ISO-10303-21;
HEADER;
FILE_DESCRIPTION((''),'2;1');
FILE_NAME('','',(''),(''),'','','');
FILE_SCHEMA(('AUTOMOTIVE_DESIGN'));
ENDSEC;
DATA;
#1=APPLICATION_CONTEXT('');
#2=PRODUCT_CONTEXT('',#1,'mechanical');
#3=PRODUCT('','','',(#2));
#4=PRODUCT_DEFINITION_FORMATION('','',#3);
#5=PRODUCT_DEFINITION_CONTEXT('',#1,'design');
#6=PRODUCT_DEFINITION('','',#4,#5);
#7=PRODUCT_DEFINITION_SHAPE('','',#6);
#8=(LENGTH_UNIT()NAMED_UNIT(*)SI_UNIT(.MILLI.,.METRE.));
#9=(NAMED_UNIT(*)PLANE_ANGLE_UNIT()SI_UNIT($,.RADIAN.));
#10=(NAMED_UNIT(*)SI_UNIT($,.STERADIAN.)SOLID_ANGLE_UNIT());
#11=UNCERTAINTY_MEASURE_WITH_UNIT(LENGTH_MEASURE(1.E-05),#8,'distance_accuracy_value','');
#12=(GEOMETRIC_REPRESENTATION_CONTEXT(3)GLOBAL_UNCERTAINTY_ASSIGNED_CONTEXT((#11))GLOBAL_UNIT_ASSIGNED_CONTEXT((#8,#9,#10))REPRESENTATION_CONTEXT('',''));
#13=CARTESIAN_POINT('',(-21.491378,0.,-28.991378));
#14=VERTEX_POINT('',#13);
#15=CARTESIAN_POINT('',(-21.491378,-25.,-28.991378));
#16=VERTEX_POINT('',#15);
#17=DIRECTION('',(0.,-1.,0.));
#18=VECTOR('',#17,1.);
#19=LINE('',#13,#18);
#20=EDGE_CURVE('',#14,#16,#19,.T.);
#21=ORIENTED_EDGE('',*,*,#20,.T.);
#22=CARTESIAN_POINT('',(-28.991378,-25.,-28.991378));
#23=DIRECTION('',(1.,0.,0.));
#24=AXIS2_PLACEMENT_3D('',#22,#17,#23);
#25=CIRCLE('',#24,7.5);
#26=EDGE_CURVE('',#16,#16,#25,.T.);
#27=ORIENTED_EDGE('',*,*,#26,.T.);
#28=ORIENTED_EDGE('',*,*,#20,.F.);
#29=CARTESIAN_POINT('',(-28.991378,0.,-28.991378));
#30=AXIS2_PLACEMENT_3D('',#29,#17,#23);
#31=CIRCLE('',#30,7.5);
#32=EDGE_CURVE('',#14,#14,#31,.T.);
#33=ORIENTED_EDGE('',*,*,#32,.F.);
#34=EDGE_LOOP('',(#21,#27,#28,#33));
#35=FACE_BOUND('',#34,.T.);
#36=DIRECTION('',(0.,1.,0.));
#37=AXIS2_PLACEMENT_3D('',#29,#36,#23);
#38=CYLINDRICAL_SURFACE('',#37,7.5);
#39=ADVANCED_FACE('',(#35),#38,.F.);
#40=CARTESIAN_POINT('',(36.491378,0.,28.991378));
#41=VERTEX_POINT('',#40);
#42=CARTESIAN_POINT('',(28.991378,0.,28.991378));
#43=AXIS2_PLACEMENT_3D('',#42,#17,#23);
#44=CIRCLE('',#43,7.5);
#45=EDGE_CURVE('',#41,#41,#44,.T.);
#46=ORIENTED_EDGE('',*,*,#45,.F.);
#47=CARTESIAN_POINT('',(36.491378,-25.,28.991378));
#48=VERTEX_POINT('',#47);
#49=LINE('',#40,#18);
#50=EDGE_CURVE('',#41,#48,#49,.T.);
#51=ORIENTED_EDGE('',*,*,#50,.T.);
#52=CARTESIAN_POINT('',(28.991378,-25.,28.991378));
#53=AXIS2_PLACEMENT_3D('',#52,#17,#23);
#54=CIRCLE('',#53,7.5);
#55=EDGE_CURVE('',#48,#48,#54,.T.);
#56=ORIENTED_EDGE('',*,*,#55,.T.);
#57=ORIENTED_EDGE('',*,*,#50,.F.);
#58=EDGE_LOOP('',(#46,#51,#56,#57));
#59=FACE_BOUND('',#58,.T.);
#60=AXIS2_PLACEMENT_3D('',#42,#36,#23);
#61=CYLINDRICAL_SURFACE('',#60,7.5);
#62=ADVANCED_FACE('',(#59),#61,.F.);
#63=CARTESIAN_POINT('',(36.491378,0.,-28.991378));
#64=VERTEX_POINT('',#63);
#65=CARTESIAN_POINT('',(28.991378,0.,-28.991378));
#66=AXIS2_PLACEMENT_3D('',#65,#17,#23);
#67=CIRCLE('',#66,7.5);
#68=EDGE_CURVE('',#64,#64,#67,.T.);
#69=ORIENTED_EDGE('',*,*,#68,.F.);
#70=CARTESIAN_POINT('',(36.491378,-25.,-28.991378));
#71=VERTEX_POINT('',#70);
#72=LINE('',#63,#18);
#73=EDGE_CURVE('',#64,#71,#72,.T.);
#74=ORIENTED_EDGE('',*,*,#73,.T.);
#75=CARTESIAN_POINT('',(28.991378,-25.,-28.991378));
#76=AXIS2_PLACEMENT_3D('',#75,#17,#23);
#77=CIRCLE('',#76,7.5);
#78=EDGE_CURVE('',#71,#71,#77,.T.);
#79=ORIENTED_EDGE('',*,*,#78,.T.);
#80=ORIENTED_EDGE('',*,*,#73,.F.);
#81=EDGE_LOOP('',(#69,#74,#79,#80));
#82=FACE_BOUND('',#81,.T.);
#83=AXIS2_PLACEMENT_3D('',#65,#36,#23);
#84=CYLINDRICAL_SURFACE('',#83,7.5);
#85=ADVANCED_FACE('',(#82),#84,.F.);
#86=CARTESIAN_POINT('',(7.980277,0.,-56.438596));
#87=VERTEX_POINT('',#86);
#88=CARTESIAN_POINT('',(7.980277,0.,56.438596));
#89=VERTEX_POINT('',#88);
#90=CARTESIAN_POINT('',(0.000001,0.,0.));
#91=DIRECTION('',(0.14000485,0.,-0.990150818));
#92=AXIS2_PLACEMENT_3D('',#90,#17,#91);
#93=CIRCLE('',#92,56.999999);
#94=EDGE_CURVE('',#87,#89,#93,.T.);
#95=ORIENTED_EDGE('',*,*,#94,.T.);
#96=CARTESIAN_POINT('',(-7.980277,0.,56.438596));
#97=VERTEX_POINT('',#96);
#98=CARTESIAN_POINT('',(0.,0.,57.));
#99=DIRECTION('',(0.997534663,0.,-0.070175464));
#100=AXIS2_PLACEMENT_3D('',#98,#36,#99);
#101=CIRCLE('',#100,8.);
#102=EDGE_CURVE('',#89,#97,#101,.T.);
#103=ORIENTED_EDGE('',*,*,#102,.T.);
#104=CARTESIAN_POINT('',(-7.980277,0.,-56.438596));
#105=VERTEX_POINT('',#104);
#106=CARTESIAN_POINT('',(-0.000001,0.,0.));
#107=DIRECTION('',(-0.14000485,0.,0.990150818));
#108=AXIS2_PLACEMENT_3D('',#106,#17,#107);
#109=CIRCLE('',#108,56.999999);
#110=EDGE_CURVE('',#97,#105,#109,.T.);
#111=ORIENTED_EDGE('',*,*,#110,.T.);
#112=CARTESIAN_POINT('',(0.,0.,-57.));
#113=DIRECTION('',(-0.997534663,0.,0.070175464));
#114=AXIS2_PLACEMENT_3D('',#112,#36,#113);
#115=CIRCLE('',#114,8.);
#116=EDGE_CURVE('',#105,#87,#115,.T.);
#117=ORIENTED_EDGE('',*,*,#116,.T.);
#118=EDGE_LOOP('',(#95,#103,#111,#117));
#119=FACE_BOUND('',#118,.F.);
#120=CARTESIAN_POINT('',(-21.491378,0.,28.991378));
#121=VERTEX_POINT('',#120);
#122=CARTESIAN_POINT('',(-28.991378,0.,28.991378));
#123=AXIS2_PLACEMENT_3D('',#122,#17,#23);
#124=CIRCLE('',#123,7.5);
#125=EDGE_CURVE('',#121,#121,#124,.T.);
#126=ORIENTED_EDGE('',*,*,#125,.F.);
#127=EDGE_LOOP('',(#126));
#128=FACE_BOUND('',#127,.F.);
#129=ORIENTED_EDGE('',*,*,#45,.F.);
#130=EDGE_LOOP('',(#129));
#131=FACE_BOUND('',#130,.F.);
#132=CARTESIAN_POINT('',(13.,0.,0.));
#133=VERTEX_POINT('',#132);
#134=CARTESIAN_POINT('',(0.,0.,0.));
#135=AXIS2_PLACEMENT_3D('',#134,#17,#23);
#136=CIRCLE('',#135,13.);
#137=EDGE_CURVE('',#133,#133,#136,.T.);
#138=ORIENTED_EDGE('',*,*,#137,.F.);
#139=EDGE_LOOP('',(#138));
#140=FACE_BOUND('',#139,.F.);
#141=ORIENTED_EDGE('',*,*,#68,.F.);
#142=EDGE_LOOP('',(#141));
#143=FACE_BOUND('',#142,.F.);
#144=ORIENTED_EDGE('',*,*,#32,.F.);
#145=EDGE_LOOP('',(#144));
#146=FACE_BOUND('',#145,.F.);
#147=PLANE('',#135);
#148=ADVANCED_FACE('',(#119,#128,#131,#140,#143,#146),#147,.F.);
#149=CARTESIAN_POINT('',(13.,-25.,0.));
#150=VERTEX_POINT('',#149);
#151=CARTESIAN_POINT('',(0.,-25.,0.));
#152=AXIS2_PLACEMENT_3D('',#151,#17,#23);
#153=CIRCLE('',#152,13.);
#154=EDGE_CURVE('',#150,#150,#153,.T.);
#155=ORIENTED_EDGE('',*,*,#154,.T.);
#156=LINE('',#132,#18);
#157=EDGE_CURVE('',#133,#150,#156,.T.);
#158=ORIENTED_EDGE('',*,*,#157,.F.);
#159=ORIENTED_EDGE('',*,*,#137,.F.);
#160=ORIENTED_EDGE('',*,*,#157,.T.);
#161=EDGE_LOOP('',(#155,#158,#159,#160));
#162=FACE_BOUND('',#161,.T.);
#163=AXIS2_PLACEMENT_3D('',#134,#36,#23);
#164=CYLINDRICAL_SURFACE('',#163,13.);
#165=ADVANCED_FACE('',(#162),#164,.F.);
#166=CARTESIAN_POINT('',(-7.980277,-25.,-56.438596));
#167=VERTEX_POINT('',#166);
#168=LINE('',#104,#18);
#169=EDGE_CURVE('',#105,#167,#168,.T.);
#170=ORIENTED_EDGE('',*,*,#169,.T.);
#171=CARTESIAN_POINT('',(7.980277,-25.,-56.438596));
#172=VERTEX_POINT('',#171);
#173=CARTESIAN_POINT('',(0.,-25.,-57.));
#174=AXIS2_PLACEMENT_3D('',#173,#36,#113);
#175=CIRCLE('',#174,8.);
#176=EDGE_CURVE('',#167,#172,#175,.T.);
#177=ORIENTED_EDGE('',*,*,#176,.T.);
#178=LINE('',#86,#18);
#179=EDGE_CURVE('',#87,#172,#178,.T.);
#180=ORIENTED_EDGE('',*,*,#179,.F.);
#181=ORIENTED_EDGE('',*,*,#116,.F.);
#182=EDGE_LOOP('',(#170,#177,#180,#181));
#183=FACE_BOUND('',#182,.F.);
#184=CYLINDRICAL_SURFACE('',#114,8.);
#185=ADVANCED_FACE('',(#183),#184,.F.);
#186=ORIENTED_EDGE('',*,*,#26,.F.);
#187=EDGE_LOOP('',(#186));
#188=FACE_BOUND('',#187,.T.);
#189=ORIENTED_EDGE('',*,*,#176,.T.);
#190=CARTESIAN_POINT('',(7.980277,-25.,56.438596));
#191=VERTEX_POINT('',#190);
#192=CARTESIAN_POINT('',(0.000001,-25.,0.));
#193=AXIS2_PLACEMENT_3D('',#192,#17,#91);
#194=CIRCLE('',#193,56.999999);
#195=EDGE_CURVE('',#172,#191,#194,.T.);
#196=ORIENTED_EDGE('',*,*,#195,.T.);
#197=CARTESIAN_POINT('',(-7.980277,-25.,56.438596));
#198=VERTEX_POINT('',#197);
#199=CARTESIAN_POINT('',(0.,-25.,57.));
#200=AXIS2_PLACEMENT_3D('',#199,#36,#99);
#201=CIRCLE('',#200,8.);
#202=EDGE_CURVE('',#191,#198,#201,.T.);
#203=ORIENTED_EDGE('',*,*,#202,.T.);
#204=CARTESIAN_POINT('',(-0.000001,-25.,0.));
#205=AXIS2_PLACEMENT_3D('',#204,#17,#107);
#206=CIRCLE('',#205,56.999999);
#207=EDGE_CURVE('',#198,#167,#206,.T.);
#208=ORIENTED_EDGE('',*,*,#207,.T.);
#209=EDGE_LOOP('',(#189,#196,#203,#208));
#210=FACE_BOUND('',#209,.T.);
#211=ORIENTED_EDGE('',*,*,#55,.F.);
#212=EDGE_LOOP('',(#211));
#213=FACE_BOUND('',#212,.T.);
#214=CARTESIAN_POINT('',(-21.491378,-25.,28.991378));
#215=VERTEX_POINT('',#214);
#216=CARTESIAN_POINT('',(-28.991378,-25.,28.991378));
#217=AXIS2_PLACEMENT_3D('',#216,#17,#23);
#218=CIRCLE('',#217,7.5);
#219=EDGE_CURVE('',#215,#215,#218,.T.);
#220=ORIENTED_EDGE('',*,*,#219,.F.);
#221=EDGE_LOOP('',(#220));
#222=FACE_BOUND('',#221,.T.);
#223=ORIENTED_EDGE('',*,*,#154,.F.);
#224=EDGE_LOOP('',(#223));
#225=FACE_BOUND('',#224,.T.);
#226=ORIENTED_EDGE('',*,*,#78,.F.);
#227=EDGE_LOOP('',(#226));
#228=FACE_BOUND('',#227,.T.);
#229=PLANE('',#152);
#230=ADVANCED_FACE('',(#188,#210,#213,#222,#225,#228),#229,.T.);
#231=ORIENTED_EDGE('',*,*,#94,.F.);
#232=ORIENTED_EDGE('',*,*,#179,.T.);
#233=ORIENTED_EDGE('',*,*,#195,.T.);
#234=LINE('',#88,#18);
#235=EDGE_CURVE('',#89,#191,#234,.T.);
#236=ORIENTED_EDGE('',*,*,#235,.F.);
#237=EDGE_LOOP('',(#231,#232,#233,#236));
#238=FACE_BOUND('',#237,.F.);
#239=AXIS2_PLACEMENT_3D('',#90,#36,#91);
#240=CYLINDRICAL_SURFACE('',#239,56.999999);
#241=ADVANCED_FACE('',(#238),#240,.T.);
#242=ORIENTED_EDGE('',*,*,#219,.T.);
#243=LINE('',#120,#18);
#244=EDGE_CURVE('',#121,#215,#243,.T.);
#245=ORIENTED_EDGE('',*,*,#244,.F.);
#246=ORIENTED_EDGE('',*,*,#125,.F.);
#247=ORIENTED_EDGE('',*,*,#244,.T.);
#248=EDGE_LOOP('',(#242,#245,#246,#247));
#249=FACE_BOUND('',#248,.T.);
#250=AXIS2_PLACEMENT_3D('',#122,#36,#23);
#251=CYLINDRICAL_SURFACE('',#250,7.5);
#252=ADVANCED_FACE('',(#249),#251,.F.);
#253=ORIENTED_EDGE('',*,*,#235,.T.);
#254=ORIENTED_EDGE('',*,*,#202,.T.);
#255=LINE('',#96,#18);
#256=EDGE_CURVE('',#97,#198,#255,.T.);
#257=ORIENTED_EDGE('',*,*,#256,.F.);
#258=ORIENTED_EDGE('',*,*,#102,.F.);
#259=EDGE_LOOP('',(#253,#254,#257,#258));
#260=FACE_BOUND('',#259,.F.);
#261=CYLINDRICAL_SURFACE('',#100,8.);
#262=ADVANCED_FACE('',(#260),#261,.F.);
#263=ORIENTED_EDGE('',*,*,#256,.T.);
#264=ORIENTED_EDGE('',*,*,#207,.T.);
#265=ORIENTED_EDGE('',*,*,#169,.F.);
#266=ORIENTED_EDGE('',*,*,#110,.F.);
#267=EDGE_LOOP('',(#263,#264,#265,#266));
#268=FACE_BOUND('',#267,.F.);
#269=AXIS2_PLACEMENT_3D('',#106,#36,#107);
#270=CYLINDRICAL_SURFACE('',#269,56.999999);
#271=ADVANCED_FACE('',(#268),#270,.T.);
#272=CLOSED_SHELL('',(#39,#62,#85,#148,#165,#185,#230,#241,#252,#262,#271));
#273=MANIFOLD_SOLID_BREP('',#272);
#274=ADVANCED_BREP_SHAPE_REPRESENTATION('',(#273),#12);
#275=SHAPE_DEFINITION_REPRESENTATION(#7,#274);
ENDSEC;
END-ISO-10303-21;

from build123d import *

# Parameters (mm, degrees)
F0_R     = 7.5
F0_R_2   = 25
F0_R_3   = 13
F1_DEPTH = 25


with BuildPart() as f1:
    # F0 (on Front) → F1 (new body)
    with BuildSketch(Plane.XZ):
        with BuildLine():
            ThreePointArc((7.980277, 56.438596), (0, 49), (-7.980277, 56.438596))
            ThreePointArc((-7.980277, 56.438596), (-57, 0), (-7.980277, -56.438596))
            ThreePointArc((-7.980277, -56.438596), (0, -49), (7.980277, -56.438596))
            ThreePointArc((7.980277, -56.438596), (57, 0), (7.980277, 56.438596))
        make_face()
        with Locations((-28.991378, -28.991378)):
            Circle(F0_R, mode=Mode.SUBTRACT)
        with Locations((28.991378, -28.991378)):
            Circle(F0_R, mode=Mode.SUBTRACT)
        Circle(F0_R_2, mode=Mode.SUBTRACT)
        with Locations((-28.991378, 28.991378)):
            Circle(F0_R, mode=Mode.SUBTRACT)
        with Locations((28.991378, 28.991378)):
            Circle(F0_R, mode=Mode.SUBTRACT)
        Circle(F0_R_2)
        Circle(F0_R_3, mode=Mode.SUBTRACT)
    extrude(amount=F1_DEPTH)


solid = f1.part
